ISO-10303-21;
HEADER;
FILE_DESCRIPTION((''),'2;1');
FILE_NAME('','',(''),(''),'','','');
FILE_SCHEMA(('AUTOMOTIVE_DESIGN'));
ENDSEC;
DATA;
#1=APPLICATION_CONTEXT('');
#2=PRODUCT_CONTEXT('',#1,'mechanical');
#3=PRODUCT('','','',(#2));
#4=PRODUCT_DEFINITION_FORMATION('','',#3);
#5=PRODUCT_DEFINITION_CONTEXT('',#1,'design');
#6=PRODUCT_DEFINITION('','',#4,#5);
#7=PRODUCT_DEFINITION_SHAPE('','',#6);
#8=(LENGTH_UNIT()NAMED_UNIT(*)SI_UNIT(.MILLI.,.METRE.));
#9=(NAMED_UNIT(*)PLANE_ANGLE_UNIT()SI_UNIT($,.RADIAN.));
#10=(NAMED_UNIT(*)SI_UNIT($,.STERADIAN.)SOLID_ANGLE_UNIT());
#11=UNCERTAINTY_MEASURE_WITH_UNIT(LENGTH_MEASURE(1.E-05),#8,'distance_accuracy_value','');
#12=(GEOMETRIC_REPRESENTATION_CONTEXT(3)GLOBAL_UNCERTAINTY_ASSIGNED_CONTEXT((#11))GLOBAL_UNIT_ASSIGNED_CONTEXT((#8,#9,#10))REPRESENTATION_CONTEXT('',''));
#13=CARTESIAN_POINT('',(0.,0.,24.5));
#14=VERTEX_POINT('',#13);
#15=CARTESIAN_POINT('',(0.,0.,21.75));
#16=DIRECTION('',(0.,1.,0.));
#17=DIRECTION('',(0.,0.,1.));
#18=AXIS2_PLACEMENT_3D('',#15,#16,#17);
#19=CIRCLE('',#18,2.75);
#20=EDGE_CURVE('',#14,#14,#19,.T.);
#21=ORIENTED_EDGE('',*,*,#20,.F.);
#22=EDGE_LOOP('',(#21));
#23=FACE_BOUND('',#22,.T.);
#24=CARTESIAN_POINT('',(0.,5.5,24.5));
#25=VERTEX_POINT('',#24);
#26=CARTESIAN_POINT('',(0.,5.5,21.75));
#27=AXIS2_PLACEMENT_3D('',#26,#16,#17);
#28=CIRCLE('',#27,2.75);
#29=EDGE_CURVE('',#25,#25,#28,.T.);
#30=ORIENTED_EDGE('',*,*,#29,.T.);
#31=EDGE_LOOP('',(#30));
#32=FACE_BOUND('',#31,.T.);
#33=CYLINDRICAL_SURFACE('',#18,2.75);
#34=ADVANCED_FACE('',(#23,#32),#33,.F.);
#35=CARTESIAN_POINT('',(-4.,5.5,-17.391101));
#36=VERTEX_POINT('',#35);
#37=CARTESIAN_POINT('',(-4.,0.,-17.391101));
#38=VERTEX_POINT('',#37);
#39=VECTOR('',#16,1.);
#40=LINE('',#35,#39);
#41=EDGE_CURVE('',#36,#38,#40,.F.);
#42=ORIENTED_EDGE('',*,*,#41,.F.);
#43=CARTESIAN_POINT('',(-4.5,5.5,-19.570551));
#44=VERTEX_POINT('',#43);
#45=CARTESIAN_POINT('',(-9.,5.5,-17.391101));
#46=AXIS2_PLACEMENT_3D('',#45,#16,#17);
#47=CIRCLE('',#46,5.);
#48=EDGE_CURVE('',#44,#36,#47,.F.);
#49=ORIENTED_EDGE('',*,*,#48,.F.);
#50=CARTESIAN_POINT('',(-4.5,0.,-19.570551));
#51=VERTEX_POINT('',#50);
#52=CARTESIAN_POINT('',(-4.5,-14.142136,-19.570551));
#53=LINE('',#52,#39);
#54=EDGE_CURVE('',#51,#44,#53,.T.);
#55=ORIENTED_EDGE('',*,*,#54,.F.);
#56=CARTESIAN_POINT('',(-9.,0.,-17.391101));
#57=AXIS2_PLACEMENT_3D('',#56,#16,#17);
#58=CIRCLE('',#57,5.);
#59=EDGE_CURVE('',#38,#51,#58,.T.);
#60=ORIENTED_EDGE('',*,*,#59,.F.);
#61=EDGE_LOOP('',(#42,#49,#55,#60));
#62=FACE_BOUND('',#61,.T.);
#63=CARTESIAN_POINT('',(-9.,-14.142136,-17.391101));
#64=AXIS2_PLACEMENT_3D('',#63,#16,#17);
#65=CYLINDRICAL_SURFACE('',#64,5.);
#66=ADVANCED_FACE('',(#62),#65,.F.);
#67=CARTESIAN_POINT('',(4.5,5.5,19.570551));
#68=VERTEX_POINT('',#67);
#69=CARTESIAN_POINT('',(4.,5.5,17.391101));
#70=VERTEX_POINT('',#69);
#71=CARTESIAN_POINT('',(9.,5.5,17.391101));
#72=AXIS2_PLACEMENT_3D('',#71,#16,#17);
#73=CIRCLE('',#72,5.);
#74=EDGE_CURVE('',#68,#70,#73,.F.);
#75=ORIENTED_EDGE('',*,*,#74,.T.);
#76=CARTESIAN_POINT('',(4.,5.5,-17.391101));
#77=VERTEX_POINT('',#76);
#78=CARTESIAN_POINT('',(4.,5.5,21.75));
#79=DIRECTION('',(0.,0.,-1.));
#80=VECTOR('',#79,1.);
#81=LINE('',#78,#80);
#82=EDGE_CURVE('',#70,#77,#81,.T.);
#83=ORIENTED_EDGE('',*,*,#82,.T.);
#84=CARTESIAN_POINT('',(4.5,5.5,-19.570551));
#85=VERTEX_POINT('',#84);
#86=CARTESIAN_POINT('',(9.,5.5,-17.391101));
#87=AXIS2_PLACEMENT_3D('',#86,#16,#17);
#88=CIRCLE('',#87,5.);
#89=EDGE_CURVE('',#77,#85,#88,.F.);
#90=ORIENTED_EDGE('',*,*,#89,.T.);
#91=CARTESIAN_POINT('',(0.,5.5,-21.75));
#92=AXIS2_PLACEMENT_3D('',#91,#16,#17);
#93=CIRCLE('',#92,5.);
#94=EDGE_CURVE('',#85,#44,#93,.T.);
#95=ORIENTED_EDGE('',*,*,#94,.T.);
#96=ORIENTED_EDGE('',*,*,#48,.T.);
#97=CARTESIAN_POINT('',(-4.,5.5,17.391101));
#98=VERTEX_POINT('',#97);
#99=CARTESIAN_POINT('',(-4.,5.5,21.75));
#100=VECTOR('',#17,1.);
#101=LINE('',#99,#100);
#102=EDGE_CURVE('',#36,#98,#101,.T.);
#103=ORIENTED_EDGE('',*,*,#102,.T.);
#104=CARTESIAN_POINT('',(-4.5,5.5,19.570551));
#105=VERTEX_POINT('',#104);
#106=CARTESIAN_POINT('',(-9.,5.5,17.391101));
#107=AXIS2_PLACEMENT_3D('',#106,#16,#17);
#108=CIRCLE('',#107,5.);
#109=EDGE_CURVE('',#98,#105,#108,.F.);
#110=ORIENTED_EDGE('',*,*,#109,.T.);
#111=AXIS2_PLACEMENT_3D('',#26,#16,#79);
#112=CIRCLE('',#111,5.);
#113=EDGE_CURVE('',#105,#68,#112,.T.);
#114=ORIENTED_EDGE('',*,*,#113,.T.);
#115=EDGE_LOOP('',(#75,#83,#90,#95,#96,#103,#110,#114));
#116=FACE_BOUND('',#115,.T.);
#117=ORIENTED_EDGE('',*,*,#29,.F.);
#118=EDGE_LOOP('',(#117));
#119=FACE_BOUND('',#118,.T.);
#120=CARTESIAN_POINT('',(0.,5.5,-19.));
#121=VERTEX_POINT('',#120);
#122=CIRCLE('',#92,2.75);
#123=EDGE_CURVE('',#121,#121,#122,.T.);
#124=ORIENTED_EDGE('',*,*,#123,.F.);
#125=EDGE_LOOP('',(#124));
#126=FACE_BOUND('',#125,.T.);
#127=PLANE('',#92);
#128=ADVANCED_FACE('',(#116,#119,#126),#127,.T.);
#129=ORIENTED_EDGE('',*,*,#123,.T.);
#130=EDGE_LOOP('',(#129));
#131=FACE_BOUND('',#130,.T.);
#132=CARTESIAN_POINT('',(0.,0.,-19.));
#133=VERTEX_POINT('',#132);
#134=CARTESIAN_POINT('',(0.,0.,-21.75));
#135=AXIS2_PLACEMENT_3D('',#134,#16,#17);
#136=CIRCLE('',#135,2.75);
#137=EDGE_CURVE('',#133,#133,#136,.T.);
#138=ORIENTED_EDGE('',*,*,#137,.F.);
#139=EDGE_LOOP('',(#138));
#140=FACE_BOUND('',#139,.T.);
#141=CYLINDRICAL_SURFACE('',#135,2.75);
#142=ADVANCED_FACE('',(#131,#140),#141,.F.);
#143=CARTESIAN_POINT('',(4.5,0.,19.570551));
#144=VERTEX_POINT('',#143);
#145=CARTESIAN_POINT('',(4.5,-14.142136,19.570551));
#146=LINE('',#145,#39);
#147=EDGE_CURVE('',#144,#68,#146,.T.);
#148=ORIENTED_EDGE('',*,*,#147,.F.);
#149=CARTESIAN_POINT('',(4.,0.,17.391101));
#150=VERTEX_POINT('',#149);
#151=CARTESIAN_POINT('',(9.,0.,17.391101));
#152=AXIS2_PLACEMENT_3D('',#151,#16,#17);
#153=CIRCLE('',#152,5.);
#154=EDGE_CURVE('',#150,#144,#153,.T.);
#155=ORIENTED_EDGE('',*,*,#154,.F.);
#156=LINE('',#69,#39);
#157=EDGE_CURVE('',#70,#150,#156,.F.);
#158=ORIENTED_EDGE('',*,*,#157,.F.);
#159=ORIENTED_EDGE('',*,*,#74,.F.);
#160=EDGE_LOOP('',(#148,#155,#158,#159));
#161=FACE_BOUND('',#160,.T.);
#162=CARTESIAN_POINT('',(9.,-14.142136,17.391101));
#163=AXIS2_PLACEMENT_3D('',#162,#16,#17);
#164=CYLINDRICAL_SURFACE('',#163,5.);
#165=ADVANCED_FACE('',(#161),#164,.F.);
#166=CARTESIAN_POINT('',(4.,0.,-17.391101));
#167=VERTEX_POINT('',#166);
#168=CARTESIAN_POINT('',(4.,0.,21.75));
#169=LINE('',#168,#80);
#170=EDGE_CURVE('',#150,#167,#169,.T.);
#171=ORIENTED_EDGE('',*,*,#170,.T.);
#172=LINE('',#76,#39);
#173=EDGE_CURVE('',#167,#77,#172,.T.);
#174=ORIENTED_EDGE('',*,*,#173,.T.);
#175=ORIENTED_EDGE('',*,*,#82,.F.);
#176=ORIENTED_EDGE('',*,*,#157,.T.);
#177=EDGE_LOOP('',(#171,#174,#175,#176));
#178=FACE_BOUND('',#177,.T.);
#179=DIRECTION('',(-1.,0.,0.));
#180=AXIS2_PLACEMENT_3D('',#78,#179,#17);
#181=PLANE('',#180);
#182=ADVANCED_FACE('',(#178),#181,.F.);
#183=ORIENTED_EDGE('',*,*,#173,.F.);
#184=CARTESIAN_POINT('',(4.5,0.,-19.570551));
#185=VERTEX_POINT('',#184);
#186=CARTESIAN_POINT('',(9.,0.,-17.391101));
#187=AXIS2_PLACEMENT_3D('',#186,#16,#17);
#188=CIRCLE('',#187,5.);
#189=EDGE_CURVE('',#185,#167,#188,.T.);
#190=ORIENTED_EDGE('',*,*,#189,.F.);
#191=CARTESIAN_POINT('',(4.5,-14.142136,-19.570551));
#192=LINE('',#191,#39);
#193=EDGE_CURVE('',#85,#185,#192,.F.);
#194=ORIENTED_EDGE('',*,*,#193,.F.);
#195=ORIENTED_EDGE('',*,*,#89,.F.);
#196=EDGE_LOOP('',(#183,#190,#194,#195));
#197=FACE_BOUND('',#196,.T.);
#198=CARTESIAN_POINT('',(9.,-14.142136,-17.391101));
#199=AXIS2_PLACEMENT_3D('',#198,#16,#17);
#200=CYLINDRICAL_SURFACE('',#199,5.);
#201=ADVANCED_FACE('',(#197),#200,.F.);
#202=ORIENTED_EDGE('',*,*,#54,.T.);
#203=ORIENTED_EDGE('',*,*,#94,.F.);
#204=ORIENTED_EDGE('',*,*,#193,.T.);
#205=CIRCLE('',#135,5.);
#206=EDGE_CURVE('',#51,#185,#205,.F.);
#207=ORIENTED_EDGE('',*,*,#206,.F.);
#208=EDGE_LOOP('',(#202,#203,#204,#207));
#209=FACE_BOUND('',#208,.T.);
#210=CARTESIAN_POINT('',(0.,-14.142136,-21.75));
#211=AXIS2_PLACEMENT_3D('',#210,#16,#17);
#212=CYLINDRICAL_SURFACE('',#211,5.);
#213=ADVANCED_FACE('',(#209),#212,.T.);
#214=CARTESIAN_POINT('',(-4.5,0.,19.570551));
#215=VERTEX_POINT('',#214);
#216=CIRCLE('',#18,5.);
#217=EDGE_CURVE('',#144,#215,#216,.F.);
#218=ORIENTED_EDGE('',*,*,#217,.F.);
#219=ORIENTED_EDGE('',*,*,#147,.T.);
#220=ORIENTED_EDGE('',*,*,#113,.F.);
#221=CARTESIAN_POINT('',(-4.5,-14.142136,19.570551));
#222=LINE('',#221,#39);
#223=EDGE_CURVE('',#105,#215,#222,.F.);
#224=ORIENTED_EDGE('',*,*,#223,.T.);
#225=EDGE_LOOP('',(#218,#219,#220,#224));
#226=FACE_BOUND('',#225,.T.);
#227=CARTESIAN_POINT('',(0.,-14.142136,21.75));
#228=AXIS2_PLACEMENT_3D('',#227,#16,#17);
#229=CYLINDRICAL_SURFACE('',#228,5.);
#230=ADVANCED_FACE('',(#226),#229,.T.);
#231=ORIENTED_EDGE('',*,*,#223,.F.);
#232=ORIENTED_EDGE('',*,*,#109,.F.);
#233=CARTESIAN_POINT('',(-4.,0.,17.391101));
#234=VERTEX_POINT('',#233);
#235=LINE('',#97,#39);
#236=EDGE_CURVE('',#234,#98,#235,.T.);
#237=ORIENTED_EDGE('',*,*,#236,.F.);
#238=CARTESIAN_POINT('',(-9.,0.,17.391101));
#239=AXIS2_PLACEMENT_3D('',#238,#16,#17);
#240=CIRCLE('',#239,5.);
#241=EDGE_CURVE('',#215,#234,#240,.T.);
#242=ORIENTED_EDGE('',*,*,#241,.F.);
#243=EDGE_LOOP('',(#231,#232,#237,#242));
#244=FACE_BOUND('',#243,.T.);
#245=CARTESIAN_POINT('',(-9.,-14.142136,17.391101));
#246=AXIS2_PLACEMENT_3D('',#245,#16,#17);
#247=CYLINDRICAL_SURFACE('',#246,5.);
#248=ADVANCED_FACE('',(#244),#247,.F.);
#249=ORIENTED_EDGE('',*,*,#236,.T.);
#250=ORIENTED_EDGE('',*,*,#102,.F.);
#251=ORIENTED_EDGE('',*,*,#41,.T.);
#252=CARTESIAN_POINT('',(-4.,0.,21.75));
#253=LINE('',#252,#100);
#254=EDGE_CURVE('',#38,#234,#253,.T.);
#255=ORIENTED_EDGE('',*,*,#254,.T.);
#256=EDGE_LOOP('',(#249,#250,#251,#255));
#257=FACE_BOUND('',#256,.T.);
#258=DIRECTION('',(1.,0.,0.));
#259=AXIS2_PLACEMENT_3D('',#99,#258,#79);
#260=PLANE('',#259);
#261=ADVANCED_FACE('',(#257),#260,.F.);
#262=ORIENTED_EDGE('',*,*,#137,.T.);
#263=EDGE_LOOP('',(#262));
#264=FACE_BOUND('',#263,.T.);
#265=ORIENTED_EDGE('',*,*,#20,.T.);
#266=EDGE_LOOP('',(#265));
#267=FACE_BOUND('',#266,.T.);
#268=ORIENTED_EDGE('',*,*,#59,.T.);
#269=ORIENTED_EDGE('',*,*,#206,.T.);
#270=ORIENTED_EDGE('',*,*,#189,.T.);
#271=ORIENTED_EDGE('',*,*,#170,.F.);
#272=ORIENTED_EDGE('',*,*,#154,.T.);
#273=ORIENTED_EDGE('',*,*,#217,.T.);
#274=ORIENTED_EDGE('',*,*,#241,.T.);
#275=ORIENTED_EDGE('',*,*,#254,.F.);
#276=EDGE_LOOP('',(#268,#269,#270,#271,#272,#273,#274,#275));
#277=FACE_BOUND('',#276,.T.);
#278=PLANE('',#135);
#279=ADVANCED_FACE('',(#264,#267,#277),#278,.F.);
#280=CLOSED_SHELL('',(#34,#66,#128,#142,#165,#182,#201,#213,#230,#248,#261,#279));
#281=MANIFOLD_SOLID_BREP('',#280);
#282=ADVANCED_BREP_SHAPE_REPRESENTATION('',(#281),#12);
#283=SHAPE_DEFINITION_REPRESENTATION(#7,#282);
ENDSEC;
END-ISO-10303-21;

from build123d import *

# Parameters (mm, degrees)
BOSS_EXTRUDE1_DEPTH = 5.5
SKETCH2_R           = 2.75
CUT_EXTRUDE2_DEPTH  = 6.5
SKETCH3_R           = 5
SKETCH3_R_2         = 2.75
BOSS_EXTRUDE2_DEPTH = 5.5
FILLET1_R           = 5


with BuildPart() as part:
    # Sketch1 → Boss-Extrude1 (new body)
    with BuildSketch(Plane(origin=(0, 0, 0), x_dir=(1, 0, 0), z_dir=(0, 1, 0))):
        with BuildLine():
            Line((-4, -21.75), (-4, 21.75))
            ThreePointArc((-4, 21.75), (0, 25.75), (4, 21.75))
            Line((4, 21.75), (4, -21.75))
            ThreePointArc((4, -21.75), (0, -25.75), (-4, -21.75))
        make_face()
    extrude(amount=BOSS_EXTRUDE1_DEPTH)

    # Sketch2 → Cut-Extrude2 (cut, through all)
    with BuildSketch(Plane(origin=(0, 5.5, 0), x_dir=(1, 0, 0), z_dir=(0, 1, 0))):
        with Locations((0, 21.75)):
            Circle(SKETCH2_R)
        with Locations((0, -21.75)):
            Circle(SKETCH2_R)
    extrude(amount=-CUT_EXTRUDE2_DEPTH, mode=Mode.SUBTRACT)

    # Sketch3 → Boss-Extrude2 (add)
    with BuildSketch(Plane(origin=(0, 5.5, 0), x_dir=(1, 0, 0), z_dir=(0, 1, 0))):
        with Locations((0, 21.75)):
            Circle(SKETCH3_R)
        with Locations((0, 21.75)):
            Circle(SKETCH3_R_2, mode=Mode.SUBTRACT)
        with Locations((0, -21.75)):
            Circle(SKETCH3_R)
        with Locations((0, -21.75)):
            Circle(SKETCH3_R_2, mode=Mode.SUBTRACT)
    extrude(amount=-BOSS_EXTRUDE2_DEPTH)

    # Fillet1
    fillet1_edges = [part.edges().sort_by_distance(p)[0] for p in [
        (-4, 2.75, -18.75),
        (4, 2.75, -18.75),
        (-4, 2.75, 18.75),
        (4, 2.75, 18.75),
    ]]
    fillet(fillet1_edges, radius=FILLET1_R)


solid = part.part
